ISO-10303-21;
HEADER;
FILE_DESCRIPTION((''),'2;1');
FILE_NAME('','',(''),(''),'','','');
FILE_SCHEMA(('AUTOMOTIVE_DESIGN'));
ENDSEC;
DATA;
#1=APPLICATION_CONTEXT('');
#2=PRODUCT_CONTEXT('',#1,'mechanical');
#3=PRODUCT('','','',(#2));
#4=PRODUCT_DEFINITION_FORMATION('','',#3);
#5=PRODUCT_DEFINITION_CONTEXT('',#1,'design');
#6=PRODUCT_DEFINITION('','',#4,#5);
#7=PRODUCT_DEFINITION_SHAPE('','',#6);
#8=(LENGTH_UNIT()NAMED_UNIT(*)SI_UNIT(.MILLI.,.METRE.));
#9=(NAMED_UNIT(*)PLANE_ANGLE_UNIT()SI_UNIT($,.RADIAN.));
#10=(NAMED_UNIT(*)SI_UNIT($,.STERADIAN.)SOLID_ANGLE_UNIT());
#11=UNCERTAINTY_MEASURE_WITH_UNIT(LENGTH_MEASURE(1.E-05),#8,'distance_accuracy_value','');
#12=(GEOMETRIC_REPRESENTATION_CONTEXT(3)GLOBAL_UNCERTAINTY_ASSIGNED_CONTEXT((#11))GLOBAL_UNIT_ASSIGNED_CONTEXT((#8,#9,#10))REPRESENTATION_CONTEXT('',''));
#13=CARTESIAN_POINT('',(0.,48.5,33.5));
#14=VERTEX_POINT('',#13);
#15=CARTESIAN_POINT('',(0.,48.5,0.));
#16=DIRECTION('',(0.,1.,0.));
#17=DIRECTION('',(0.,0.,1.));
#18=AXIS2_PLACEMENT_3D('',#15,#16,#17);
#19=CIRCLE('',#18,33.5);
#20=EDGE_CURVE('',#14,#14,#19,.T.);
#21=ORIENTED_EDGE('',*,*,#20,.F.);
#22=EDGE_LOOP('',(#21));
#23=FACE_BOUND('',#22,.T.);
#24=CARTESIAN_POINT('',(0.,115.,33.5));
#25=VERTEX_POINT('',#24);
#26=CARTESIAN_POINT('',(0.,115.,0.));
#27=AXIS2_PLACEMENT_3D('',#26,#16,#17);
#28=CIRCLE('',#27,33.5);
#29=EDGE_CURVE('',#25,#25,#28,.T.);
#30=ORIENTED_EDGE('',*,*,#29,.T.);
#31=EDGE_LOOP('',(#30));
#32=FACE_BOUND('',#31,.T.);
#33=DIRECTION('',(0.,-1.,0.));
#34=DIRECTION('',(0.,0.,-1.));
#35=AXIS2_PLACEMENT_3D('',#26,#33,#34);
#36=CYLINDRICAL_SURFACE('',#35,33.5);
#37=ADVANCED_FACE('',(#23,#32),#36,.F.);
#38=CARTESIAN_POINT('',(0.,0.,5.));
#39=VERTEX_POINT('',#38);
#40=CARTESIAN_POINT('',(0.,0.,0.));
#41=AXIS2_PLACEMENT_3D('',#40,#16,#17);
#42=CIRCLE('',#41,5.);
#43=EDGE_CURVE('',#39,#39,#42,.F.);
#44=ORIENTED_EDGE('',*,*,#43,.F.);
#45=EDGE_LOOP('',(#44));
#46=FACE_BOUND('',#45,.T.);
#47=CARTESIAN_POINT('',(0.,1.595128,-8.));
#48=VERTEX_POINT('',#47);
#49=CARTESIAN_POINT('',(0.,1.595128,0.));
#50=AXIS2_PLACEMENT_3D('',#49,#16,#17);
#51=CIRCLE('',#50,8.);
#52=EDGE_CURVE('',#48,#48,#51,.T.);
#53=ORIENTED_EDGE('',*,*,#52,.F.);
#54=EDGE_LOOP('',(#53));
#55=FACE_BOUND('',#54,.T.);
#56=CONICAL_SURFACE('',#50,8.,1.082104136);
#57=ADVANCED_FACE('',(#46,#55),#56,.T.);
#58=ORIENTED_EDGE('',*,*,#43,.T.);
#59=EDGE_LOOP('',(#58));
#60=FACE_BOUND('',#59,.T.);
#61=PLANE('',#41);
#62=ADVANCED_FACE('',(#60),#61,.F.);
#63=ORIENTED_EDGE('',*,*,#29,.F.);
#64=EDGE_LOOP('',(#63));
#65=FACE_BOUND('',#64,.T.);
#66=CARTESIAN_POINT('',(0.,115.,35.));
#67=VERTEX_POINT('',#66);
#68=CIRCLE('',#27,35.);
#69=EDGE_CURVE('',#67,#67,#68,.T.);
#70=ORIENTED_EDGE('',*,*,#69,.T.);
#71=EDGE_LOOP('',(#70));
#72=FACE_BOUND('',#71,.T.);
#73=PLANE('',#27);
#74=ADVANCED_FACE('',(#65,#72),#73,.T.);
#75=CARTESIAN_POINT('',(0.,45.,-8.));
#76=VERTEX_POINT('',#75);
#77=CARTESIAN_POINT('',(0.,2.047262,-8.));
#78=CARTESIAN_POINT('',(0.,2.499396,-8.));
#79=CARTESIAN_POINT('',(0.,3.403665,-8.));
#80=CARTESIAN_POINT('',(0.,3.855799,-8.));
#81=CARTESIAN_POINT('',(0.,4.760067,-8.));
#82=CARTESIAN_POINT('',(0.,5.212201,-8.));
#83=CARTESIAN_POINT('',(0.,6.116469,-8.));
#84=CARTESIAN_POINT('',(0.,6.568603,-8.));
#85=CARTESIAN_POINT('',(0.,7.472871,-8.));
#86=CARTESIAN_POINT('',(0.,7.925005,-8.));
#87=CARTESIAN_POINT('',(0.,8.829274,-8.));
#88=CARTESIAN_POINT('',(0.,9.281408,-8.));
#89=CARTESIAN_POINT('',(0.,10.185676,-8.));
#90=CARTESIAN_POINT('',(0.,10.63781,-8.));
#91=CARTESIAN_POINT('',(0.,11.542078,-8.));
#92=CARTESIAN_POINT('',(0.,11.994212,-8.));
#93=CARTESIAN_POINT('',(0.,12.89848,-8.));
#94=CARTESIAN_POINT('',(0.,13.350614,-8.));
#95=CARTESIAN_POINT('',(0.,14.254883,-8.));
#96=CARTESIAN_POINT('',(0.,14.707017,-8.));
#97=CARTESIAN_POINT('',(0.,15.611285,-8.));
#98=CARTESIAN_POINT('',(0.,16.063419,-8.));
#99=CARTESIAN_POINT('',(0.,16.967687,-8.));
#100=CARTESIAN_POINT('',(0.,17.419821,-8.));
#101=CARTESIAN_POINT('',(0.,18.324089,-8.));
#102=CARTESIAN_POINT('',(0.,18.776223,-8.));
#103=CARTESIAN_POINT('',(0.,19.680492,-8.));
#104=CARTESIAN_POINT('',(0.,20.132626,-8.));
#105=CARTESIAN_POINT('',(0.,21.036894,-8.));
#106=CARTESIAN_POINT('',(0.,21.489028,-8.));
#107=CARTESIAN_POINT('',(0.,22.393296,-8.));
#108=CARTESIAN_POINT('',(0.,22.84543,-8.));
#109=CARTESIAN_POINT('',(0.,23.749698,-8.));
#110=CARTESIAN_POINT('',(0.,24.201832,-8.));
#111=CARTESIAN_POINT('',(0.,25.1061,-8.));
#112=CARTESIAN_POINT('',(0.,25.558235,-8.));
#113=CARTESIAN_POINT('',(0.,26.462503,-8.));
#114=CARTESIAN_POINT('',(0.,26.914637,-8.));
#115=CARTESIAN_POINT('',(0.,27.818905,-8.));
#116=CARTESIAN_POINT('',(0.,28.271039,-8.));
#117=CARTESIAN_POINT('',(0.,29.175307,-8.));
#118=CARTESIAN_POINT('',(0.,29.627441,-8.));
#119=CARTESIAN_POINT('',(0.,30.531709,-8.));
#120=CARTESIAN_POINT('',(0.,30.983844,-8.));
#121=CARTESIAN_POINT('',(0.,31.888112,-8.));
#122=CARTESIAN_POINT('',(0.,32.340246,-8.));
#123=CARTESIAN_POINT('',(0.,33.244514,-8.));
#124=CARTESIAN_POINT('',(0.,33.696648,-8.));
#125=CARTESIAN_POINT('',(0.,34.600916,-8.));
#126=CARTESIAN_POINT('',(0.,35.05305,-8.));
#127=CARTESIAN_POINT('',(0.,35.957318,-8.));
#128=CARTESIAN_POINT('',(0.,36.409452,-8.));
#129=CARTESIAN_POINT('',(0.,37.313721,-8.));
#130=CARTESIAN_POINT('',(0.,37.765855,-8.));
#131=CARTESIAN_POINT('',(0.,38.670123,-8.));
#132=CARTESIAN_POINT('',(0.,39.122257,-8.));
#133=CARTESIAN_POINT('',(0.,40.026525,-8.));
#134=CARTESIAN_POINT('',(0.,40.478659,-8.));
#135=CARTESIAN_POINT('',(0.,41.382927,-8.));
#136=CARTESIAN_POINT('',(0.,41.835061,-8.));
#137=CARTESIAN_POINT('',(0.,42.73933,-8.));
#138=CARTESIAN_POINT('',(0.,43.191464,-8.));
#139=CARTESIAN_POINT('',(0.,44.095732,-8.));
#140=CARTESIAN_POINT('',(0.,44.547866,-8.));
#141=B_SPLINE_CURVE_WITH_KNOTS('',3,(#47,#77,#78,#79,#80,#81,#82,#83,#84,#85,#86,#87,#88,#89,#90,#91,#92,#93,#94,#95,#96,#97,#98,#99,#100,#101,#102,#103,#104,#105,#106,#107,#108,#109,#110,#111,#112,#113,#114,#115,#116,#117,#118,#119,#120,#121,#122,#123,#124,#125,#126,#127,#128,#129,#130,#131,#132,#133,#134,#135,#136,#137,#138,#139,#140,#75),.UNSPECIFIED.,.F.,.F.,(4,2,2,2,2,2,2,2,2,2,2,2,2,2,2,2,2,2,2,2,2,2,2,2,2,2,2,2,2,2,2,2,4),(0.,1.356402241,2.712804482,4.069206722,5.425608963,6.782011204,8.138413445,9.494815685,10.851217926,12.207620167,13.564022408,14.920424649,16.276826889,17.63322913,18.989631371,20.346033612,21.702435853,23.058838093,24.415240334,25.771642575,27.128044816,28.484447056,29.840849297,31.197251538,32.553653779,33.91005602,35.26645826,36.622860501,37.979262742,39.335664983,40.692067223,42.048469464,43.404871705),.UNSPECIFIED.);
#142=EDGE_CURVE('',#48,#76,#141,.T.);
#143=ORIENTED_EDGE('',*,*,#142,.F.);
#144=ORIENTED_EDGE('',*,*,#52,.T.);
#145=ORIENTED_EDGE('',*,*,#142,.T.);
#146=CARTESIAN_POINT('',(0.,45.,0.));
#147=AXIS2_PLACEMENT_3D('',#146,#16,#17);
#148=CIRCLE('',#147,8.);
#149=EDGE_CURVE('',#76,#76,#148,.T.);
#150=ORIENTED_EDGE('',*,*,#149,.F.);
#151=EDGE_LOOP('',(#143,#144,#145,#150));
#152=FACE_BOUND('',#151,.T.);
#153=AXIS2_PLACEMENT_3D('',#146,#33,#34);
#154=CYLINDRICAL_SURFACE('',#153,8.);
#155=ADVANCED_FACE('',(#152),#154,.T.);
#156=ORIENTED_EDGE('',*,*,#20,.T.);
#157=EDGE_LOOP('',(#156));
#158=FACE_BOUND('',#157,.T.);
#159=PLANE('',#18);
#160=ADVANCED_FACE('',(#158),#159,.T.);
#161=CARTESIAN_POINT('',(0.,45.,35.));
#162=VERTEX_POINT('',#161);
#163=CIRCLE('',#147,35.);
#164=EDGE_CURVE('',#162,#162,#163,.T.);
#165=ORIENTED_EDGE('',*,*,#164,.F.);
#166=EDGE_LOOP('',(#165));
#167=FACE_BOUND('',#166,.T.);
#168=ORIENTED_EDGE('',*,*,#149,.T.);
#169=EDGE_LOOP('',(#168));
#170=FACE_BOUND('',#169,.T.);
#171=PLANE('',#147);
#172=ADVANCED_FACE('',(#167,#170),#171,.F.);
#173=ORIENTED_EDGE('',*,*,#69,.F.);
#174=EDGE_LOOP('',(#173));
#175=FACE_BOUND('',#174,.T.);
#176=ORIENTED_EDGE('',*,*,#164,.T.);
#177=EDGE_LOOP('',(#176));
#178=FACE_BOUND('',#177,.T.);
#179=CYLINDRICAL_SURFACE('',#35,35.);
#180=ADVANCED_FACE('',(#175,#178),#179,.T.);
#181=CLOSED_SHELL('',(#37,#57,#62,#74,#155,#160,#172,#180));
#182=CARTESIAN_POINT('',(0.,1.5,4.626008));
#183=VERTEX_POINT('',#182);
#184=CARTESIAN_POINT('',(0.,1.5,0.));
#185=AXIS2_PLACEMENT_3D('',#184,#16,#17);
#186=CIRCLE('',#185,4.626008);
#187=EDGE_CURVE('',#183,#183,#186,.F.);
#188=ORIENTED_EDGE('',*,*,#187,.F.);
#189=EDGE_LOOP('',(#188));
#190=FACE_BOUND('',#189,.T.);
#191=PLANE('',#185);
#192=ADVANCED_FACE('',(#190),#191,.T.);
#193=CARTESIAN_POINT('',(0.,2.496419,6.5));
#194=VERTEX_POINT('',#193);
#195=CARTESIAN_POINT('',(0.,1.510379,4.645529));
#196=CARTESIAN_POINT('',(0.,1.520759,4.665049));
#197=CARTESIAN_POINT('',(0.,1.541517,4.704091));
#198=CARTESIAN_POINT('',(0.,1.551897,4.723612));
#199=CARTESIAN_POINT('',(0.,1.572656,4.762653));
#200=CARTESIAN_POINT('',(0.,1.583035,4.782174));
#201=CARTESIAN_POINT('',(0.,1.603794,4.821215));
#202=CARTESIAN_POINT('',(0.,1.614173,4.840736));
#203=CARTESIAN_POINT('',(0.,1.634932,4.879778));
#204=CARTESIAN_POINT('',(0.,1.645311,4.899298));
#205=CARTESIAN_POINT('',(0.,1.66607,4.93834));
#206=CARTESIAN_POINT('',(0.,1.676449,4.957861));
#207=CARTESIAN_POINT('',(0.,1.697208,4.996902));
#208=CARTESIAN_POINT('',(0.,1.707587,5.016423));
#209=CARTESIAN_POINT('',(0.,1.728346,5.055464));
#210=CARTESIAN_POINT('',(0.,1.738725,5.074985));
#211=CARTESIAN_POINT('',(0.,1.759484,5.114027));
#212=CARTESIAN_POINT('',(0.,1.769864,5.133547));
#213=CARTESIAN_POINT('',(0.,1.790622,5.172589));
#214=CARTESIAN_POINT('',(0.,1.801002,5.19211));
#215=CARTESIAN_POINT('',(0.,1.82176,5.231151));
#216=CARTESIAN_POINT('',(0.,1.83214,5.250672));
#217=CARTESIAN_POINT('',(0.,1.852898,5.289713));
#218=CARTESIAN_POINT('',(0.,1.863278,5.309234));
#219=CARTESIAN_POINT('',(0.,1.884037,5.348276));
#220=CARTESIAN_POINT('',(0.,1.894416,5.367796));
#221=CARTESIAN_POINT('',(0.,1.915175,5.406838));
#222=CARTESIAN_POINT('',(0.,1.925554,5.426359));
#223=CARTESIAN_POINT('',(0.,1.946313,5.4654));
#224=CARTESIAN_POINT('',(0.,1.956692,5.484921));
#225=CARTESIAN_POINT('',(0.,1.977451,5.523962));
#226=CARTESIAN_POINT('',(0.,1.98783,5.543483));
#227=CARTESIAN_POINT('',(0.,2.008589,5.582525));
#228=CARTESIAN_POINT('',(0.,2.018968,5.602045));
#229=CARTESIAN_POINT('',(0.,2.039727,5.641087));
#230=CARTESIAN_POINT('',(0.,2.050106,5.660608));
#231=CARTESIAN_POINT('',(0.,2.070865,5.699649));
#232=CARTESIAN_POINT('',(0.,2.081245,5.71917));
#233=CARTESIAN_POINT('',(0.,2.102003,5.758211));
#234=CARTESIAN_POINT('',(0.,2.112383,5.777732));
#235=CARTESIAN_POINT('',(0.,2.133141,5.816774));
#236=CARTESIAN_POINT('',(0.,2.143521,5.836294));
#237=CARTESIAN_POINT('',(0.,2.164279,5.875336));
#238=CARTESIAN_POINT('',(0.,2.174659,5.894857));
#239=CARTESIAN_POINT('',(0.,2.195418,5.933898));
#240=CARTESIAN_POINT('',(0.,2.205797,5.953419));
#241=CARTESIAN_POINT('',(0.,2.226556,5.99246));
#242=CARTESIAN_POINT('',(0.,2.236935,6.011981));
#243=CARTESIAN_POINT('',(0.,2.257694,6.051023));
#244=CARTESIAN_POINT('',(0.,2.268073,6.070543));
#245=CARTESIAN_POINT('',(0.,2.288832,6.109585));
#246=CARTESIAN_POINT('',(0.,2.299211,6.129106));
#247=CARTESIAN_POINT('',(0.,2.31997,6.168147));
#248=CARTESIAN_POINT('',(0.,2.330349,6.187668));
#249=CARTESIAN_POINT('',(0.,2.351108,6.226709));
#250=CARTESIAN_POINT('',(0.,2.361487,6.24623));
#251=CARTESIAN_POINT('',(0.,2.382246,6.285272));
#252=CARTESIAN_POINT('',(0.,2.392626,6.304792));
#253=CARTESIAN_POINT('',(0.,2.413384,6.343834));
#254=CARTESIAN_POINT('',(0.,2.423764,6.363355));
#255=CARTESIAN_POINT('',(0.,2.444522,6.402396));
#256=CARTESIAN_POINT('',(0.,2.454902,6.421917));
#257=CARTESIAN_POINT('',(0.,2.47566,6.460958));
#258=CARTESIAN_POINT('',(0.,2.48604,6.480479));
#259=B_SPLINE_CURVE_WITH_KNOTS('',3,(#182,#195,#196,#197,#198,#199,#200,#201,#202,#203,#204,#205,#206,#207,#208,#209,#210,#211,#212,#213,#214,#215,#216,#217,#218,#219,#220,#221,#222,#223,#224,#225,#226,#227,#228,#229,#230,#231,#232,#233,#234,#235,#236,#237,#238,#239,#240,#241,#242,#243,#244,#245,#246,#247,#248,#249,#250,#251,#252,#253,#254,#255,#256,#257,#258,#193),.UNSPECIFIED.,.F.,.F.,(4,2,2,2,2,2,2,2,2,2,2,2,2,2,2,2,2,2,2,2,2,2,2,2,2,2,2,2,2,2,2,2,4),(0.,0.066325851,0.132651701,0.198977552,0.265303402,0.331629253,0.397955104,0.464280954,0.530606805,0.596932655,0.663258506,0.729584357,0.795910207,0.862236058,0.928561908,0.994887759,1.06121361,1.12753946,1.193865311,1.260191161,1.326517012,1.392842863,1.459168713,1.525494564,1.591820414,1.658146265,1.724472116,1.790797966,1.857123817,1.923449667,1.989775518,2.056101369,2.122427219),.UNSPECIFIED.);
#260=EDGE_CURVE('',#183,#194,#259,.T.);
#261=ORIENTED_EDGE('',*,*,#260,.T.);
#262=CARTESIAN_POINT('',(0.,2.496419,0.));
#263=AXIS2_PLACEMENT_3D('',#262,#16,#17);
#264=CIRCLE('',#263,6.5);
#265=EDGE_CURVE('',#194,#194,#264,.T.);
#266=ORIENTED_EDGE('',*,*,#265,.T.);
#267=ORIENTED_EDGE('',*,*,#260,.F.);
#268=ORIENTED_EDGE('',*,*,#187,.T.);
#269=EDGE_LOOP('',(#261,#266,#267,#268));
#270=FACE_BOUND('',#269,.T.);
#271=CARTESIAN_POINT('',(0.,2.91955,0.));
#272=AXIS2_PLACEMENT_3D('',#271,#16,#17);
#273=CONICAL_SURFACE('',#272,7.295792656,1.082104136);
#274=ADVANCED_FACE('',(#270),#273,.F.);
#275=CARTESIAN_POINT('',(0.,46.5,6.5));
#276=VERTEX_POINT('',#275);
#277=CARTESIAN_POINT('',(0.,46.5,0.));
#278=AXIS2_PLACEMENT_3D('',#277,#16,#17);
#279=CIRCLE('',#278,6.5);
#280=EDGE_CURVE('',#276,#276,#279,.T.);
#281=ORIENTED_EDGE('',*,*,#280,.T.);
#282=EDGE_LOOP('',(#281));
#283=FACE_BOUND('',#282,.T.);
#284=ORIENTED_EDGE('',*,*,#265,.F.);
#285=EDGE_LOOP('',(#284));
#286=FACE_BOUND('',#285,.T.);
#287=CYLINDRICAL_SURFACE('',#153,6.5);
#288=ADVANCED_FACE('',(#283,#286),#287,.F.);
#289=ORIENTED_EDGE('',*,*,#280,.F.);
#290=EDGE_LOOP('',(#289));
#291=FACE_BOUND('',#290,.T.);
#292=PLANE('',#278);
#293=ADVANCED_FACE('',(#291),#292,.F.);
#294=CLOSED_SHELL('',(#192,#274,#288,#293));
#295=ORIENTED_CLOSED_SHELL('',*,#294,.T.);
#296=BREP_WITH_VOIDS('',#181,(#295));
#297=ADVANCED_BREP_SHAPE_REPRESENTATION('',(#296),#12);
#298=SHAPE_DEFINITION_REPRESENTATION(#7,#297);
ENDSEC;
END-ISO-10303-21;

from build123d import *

# Parameters (mm, degrees)
SKETCH1_R           = 8
BOSS_EXTRUDE1_DEPTH = 45
CHAMFER1_SIZE       = 3
CHAMFER1_SIZE2      = 1.595128295
SKETCH2_R           = 35
BOSS_EXTRUDE2_DEPTH = 70
SHELL1_T            = -1.5
SKETCH3_R           = 33.5
BOSS_EXTRUDE3_DEPTH = 2


with BuildPart() as part:
    # Sketch1 → Boss-Extrude1 (new body)
    with BuildSketch(Plane(origin=(0, 0, 0), x_dir=(1, 0, 0), z_dir=(0, 1, 0))):
        with Locations(Location((0, 0, 0), (0, 0, 90))):
            Circle(SKETCH1_R)
    extrude(amount=BOSS_EXTRUDE1_DEPTH)

    # Chamfer1
    chamfer1_edges = [part.edges().sort_by_distance(p)[0] for p in [
        (0, 0, 8),
    ]]
    chamfer1_side = [part.faces().sort_by_distance(p)[0] for p in [
        (0, 0, 0),
    ]]
    chamfer(chamfer1_edges, length=CHAMFER1_SIZE, length2=CHAMFER1_SIZE2, reference=chamfer1_side[0])

    # Sketch2 → Boss-Extrude2 (add)
    with BuildSketch(Plane(origin=(0, 45, 0), x_dir=(1, 0, 0), z_dir=(0, 1, 0))):
        with Locations(Location((0, 0, 0), (0, 0, 270))):
            Circle(SKETCH2_R)
    extrude(amount=BOSS_EXTRUDE2_DEPTH)

    # Shell1
    shell1_openings = [part.faces().sort_by_distance(p)[0] for p in [
        (0, 115, 0),
    ]]
    offset(amount=SHELL1_T, openings=shell1_openings, kind=Kind.INTERSECTION)

    # Sketch3 → Boss-Extrude3 (add)
    with BuildSketch(Plane(origin=(0, 46.5, 0), x_dir=(1, 0, 0), z_dir=(0, 1, 0))):
        with Locations(Location((0, 0, 0), (0, 0, 270))):
            Circle(SKETCH3_R)
    extrude(amount=BOSS_EXTRUDE3_DEPTH)


solid = part.part
